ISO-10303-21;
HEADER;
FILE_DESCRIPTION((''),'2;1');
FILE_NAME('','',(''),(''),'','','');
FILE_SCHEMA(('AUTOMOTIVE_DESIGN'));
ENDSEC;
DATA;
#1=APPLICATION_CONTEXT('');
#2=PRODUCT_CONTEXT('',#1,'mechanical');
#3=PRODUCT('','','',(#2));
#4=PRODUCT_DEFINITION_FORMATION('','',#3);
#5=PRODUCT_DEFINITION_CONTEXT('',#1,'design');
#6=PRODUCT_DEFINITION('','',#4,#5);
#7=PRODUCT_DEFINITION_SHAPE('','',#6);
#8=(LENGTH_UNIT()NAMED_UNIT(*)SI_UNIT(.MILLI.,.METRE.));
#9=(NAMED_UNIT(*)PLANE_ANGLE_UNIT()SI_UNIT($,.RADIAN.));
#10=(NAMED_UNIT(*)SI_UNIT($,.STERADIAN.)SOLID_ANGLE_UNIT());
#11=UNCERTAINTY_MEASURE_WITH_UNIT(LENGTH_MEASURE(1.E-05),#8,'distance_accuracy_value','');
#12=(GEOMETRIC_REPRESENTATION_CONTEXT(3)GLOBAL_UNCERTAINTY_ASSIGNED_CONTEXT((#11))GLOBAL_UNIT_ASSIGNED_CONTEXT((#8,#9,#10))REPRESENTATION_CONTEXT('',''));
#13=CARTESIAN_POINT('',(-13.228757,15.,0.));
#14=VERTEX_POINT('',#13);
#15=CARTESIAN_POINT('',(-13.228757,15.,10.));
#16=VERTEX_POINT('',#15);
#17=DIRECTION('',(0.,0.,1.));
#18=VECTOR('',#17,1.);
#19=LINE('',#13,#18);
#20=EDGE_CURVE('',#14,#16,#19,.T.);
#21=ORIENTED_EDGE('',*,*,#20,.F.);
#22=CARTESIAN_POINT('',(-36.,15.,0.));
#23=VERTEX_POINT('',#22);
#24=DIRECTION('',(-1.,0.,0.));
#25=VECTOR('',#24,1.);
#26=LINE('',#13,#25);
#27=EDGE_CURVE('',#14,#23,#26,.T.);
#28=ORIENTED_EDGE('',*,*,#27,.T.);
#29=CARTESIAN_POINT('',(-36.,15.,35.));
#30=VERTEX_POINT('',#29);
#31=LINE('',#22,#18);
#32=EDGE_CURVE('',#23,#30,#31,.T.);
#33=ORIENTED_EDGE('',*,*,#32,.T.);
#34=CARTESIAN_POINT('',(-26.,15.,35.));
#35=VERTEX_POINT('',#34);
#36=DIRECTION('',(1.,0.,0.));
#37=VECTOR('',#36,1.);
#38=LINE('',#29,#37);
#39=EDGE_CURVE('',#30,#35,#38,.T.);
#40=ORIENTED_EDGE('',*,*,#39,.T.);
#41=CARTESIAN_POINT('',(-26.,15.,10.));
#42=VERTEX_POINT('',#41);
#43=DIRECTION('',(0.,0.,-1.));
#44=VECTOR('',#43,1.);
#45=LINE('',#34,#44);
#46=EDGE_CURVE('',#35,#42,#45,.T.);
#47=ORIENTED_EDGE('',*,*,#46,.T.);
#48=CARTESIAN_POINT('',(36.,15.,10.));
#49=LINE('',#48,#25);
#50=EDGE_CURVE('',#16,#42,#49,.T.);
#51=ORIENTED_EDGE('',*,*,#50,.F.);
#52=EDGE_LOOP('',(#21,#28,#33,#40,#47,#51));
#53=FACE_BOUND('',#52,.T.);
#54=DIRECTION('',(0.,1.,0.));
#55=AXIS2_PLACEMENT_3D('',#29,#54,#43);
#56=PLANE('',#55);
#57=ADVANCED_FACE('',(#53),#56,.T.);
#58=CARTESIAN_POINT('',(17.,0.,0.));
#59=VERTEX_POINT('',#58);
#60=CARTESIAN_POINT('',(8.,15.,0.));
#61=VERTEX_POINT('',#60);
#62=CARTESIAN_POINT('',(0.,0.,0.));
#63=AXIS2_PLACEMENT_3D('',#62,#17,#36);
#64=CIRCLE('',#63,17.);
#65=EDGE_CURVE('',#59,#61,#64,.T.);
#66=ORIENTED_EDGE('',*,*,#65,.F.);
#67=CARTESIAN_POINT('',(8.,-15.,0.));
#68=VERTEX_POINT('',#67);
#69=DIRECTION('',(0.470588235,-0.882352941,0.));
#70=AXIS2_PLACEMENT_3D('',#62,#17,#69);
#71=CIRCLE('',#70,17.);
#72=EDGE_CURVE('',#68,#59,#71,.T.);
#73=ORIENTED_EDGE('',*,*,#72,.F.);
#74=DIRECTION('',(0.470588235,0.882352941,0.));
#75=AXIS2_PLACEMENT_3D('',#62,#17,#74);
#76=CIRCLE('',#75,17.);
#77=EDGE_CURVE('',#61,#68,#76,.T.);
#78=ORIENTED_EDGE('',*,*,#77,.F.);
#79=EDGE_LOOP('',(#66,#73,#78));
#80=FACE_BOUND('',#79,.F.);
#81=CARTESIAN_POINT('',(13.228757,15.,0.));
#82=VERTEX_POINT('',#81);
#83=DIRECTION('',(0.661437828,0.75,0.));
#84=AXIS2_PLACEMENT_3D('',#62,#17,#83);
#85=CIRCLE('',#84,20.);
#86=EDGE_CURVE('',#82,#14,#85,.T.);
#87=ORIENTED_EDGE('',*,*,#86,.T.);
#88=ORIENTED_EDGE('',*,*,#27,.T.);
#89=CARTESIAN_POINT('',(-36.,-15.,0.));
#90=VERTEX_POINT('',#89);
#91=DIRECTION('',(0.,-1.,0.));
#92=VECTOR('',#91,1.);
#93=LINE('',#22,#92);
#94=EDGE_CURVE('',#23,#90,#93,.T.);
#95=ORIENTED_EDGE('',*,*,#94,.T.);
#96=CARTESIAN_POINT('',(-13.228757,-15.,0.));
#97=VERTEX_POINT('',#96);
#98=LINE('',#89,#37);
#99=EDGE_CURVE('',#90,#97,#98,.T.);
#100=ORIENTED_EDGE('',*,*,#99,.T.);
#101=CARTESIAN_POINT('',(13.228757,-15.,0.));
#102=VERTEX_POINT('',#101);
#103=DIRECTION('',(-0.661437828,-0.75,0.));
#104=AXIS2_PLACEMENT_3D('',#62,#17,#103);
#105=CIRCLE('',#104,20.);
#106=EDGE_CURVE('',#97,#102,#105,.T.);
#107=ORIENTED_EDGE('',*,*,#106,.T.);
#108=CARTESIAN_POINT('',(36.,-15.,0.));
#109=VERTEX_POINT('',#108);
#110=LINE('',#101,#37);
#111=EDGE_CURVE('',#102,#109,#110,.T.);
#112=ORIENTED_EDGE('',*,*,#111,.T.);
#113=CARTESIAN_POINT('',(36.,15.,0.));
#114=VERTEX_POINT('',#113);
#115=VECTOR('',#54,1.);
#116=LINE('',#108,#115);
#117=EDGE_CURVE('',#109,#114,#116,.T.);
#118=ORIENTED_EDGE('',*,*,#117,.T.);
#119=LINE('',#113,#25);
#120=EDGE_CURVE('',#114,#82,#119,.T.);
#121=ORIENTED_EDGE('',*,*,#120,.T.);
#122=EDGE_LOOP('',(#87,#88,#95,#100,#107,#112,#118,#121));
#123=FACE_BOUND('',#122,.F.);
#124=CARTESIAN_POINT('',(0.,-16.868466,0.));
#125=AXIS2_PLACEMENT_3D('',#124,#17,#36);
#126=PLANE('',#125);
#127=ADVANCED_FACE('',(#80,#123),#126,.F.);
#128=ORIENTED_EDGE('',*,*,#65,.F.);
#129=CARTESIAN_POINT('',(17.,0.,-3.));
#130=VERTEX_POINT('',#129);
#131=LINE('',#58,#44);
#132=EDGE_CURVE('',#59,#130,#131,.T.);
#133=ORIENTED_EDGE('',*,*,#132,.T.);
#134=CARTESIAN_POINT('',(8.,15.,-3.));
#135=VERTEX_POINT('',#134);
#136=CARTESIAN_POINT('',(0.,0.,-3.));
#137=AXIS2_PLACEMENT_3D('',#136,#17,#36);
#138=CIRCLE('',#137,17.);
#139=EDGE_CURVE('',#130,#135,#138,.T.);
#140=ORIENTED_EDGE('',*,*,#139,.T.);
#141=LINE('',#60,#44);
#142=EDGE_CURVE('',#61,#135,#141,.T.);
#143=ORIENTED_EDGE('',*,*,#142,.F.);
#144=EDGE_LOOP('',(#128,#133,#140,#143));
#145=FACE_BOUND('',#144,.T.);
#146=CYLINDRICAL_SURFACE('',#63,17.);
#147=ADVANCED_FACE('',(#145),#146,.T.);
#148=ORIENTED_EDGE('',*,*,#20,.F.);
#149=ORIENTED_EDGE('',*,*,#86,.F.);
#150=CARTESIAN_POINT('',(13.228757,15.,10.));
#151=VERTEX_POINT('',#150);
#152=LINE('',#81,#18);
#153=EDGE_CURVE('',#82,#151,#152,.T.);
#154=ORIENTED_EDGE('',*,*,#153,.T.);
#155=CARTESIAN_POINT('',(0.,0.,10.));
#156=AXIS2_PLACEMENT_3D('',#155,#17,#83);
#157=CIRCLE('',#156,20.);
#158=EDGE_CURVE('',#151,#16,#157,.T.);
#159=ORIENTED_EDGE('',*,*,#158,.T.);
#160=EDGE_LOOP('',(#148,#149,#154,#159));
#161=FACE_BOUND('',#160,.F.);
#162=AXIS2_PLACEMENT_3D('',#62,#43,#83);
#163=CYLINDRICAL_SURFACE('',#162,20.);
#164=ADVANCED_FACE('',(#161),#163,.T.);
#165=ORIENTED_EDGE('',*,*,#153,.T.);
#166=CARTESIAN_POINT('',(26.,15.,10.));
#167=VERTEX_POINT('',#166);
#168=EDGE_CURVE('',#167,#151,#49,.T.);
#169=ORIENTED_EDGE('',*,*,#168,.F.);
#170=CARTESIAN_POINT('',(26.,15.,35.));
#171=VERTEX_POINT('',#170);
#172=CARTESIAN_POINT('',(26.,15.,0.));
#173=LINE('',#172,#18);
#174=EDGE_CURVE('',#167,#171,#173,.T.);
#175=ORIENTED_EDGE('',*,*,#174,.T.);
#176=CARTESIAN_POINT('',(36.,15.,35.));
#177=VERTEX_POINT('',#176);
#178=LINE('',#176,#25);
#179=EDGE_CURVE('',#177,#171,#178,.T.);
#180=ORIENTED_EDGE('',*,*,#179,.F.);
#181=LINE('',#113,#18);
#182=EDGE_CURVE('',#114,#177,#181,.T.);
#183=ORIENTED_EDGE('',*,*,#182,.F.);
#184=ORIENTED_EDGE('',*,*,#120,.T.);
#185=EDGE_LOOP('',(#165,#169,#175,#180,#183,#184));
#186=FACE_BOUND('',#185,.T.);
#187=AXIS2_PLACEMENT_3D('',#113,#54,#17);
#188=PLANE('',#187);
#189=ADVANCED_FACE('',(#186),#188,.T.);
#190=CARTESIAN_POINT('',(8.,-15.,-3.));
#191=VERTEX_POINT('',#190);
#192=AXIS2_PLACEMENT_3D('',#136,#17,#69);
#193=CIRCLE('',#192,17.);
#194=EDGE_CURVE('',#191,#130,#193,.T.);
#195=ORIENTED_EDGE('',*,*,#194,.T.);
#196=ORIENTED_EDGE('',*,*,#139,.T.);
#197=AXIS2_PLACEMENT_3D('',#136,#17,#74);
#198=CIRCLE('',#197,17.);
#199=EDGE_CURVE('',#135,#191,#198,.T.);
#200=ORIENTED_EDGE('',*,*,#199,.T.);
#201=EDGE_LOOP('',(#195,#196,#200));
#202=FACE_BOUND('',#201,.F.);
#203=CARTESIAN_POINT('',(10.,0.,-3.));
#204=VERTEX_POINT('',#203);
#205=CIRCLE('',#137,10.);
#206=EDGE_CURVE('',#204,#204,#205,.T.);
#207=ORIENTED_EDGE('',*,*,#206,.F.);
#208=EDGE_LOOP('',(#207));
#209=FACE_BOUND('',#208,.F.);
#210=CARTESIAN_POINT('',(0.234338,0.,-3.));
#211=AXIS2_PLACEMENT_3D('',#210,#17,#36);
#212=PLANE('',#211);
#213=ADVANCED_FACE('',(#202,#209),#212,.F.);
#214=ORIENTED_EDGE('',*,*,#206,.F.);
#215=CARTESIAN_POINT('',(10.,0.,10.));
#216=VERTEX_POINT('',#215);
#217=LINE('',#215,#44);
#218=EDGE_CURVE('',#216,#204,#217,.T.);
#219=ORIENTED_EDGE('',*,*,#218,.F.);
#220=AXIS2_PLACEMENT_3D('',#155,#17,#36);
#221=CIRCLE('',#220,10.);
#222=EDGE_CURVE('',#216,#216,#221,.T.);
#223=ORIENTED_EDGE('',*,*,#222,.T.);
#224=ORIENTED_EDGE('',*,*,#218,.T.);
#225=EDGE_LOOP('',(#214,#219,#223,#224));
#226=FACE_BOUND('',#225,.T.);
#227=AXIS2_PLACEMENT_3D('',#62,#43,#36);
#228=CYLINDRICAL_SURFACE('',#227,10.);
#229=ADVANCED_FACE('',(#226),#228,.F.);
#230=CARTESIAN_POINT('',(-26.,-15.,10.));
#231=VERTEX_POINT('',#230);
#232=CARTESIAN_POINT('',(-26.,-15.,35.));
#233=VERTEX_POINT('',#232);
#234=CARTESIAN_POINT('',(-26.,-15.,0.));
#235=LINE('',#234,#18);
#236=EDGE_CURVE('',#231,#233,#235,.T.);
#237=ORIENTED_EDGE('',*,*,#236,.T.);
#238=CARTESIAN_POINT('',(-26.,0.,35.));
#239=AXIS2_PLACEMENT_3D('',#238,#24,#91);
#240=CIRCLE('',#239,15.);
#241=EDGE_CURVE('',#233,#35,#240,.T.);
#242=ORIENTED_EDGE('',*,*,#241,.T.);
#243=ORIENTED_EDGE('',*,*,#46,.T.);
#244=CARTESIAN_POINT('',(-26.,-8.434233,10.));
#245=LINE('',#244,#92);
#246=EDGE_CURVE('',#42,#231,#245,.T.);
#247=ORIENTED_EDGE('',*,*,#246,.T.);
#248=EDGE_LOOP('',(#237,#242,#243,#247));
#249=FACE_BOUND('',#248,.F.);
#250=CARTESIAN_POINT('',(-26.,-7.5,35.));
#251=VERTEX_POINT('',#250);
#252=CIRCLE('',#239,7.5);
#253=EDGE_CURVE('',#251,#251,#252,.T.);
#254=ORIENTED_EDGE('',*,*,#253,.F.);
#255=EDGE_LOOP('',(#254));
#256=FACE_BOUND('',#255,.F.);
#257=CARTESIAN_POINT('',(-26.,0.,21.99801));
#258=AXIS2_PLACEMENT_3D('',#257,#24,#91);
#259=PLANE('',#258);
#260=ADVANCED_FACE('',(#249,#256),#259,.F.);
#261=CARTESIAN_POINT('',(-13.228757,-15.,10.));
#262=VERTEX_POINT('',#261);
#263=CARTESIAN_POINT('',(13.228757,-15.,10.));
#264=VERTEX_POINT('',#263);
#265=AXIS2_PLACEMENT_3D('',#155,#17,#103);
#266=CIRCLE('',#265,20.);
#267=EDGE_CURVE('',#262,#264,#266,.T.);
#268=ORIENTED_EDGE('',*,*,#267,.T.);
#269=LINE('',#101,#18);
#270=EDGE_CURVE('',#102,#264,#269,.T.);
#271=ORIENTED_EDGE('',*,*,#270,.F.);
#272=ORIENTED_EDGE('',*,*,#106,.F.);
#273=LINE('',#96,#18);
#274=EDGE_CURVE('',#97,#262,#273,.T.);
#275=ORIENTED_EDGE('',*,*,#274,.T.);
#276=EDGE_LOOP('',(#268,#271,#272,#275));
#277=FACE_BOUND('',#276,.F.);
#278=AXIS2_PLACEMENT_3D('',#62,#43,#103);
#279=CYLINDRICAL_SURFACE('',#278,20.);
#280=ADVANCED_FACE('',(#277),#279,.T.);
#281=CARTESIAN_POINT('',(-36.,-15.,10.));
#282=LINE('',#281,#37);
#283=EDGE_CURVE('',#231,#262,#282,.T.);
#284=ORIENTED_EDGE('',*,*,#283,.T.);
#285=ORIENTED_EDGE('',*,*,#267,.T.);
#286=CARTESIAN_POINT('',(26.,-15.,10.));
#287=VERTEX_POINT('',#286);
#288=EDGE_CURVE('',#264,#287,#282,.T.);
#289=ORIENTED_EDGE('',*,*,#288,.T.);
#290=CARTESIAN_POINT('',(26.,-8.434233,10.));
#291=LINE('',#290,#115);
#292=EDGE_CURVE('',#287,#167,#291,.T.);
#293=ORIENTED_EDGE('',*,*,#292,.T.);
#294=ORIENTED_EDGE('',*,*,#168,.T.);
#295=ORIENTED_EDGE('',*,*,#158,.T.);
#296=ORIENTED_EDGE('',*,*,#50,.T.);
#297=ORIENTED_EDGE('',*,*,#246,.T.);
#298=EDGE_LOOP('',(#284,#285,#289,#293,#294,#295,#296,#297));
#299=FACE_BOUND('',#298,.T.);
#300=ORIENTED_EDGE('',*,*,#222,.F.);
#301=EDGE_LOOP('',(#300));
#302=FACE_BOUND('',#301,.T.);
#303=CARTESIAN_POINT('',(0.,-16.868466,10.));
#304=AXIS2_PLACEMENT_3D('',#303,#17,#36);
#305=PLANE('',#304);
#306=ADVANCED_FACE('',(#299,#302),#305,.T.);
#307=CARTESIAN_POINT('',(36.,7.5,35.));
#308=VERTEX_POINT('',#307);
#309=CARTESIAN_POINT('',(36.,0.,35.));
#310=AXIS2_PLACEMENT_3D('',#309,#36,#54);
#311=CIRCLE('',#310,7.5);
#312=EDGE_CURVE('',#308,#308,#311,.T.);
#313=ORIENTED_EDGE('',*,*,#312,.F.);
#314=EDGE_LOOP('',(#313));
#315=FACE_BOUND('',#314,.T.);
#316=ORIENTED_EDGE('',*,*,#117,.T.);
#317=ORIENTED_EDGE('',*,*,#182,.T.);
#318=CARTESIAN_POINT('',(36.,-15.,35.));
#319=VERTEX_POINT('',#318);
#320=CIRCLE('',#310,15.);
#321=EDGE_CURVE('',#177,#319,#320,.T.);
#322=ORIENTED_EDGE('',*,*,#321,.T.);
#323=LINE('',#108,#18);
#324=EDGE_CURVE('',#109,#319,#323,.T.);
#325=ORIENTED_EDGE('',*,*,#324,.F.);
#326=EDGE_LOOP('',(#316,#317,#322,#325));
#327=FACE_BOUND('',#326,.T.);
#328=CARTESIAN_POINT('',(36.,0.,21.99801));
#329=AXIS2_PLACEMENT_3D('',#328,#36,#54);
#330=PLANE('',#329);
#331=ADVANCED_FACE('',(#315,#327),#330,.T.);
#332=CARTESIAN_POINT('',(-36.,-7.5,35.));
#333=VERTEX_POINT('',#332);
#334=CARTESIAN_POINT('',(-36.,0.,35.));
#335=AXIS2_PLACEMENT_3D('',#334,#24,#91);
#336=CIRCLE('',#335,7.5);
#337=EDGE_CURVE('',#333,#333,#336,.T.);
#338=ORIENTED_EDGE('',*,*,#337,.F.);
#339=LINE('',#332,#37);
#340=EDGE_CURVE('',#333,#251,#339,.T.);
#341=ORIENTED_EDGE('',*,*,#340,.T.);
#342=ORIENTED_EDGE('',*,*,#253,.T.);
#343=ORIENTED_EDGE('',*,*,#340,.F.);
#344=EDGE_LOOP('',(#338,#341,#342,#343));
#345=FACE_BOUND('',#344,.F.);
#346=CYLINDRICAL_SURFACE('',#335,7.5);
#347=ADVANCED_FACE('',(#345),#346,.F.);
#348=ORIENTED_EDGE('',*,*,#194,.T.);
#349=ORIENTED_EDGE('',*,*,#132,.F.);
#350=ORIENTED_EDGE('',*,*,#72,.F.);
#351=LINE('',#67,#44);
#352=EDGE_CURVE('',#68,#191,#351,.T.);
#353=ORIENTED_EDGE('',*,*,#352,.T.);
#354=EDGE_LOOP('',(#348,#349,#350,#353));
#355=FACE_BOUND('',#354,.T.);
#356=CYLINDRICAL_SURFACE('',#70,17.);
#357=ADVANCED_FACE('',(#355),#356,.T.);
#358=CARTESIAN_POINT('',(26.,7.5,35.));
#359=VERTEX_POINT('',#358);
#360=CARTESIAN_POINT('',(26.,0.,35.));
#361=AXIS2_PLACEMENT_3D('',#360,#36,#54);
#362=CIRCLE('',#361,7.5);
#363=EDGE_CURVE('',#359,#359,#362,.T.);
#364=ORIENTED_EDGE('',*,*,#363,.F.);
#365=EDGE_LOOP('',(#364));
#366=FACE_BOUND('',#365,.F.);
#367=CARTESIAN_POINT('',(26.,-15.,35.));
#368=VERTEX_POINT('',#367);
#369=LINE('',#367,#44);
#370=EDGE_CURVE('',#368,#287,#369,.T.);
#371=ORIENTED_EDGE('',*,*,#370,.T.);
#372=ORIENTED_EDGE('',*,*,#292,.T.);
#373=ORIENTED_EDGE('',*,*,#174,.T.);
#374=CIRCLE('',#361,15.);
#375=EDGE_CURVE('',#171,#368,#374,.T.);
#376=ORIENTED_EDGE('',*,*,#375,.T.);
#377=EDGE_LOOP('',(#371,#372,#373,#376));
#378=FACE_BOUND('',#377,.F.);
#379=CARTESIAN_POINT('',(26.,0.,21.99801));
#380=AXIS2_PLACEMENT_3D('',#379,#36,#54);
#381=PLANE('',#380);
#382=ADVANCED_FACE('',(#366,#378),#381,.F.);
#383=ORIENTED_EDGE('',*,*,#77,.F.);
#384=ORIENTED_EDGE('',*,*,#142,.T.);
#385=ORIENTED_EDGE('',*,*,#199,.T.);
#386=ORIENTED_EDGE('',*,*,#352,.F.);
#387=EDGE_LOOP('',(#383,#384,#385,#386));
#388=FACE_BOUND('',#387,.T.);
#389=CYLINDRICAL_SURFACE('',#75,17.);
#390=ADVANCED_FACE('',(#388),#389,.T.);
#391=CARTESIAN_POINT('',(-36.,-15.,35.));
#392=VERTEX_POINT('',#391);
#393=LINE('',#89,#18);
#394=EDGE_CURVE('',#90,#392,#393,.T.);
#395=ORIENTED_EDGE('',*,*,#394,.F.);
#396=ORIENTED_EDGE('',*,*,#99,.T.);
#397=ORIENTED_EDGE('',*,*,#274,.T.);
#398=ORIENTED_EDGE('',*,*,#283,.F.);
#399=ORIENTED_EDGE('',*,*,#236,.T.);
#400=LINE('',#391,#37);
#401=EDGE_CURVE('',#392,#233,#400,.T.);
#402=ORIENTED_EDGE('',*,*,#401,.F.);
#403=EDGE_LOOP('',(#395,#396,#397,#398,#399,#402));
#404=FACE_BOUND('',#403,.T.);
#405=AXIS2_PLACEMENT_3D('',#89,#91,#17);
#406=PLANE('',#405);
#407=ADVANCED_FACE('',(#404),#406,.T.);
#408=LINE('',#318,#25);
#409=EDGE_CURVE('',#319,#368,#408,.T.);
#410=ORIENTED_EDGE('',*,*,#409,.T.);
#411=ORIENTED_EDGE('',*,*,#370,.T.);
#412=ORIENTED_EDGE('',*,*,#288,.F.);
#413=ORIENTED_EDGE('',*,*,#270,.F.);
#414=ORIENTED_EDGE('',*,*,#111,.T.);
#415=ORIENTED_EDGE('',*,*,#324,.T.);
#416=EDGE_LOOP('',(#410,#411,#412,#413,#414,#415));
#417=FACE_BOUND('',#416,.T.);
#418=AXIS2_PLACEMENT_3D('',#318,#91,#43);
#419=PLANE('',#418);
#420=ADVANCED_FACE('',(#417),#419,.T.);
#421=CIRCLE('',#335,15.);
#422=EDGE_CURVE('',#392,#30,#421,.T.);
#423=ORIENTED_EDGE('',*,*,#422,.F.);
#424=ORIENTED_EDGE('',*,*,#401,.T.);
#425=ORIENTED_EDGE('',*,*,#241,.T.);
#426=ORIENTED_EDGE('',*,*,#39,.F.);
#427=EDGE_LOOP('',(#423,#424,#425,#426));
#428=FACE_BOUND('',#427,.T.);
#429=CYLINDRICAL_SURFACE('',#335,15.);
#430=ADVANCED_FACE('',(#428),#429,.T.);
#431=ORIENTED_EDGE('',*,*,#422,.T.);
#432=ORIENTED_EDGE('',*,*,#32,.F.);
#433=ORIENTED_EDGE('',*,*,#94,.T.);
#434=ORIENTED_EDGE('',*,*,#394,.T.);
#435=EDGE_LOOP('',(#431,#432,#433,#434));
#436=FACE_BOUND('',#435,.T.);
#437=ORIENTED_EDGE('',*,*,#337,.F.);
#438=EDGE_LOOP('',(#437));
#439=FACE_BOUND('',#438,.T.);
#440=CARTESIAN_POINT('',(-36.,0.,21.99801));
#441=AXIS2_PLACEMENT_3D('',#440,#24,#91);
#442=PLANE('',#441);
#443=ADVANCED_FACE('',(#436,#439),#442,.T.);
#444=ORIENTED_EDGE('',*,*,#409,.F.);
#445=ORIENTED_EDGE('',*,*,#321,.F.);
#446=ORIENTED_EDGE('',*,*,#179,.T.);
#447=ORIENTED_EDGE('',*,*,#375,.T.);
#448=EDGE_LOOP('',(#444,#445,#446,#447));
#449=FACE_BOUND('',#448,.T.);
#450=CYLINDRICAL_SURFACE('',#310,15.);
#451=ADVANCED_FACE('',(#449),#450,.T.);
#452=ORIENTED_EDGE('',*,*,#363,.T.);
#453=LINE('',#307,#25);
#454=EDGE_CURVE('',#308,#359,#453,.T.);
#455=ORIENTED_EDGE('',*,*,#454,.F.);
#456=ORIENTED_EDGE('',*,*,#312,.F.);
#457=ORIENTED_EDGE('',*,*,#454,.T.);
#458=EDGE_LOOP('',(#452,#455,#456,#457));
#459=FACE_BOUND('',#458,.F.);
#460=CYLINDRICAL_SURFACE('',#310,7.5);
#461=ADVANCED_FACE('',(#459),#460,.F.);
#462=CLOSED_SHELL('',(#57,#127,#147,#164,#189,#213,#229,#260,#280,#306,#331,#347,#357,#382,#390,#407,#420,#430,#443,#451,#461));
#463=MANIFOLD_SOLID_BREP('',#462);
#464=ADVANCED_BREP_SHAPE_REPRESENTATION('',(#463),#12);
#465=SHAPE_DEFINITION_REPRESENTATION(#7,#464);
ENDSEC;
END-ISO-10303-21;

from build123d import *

# Parameters (mm, degrees)
F0_R        = 10
F1_DEPTH    = 10
F2_DEPTH    = 3
F2_FACE_R   = 17
F2_FACE_R_2 = 10
F4_DEPTH    = 10
F5_R        = 7.5
F6_DEPTH    = 10
F8_R        = 7.5
F9_DEPTH    = 10


with BuildPart() as f1:
    # F0 (on Top) → F1 (new body)
    with BuildSketch(Plane.XY):
        with BuildLine():
            Line((-36, -15), (-13.2287565553, -15))
            ThreePointArc((-13.2287565553, -15), (-20, 0), (-13.2287565553, 15))
            Line((-13.2287565553, 15), (-36, 15))
            Line((-36, 15), (-36, -15))
        make_face()
        with BuildLine():
            Line((-8, -15), (8, -15))
            ThreePointArc((8, -15), (14.5773797371, -8.7464278423), (17, 0))
            ThreePointArc((17, 0), (14.5773797371, 8.7464278423), (8, 15))
            Line((8, 15), (-8, 15))
            ThreePointArc((-8, 15), (-17, 0), (-8, -15))
        make_face()
        Circle(F0_R, mode=Mode.SUBTRACT)
        with BuildLine():
            Line((13.2287565553, -15), (36, -15))
            Line((36, -15), (36, 15))
            Line((36, 15), (13.2287565553, 15))
            ThreePointArc((13.2287565553, 15), (18.2287565553, 8.2287565553), (20, 0))
            ThreePointArc((20, 0), (18.2287565553, -8.2287565553), (13.2287565553, -15))
        make_face()
        with BuildLine():
            ThreePointArc((-13.2287565553, 15), (-20, 0), (-13.2287565553, -15))
            Line((-13.2287565553, -15), (-8, -15))
            ThreePointArc((-8, -15), (-17, 0), (-8, 15))
            Line((-8, 15), (-13.2287565553, 15))
        make_face()
        with BuildLine():
            Line((8, -15), (13.2287565553, -15))
            ThreePointArc((13.2287565553, -15), (18.2287565553, -8.2287565553), (20, 0))
            ThreePointArc((20, 0), (18.2287565553, 8.2287565553), (13.2287565553, 15))
            Line((13.2287565553, 15), (8, 15))
            ThreePointArc((8, 15), (14.5773797371, 8.7464278423), (17, 0))
            ThreePointArc((17, 0), (14.5773797371, -8.7464278423), (8, -15))
        make_face()
    extrude(amount=F1_DEPTH)

    # F0 (on Top) → F2 (join)
    with BuildSketch(Plane.XY):
        with BuildLine():
            Line((-8, -15), (8, -15))
            ThreePointArc((8, -15), (14.5773797371, -8.7464278423), (17, 0))
            ThreePointArc((17, 0), (14.5773797371, 8.7464278423), (8, 15))
            Line((8, 15), (-8, 15))
            ThreePointArc((-8, 15), (-17, 0), (-8, -15))
        make_face()
        Circle(F0_R, mode=Mode.SUBTRACT)
        with BuildLine():
            ThreePointArc((-8, -15), (0, -17), (8, -15))
            Line((8, -15), (-8, -15))
        make_face()
        with BuildLine():
            Line((-8, 15), (8, 15))
            ThreePointArc((8, 15), (0, 17), (-8, 15))
        make_face()
    extrude(amount=-F2_DEPTH)

    # F0 (on Top) + F2_face (on face) → F4 (join)
    with BuildSketch(Plane.XY):
        with BuildLine():
            ThreePointArc((-13.2287565553, -15), (0, -20), (13.2287565553, -15))
            Line((13.2287565553, -15), (8, -15))
            ThreePointArc((8, -15), (0, -17), (-8, -15))
            Line((-8, -15), (-13.2287565553, -15))
        make_face()
        with BuildLine():
            Line((8, -15), (13.2287565553, -15))
            ThreePointArc((13.2287565553, -15), (18.2287565553, -8.2287565553), (20, 0))
            ThreePointArc((20, 0), (18.2287565553, 8.2287565553), (13.2287565553, 15))
            Line((13.2287565553, 15), (8, 15))
            ThreePointArc((8, 15), (14.5773797371, 8.7464278423), (17, 0))
            ThreePointArc((17, 0), (14.5773797371, -8.7464278423), (8, -15))
        make_face()
        with BuildLine():
            Line((8, 15), (13.2287565553, 15))
            ThreePointArc((13.2287565553, 15), (0, 20), (-13.2287565553, 15))
            Line((-13.2287565553, 15), (-8, 15))
            ThreePointArc((-8, 15), (0, 17), (8, 15))
        make_face()
        with BuildLine():
            ThreePointArc((-13.2287565553, 15), (-20, 0), (-13.2287565553, -15))
            Line((-13.2287565553, -15), (-8, -15))
            ThreePointArc((-8, -15), (-17, 0), (-8, 15))
            Line((-8, 15), (-13.2287565553, 15))
        make_face()
        with BuildLine():
            ThreePointArc((-8, -15), (0, -17), (8, -15))
            Line((8, -15), (-8, -15))
        make_face()
        with BuildLine():
            Line((-8, 15), (8, 15))
            ThreePointArc((8, 15), (0, 17), (-8, 15))
        make_face()
    with BuildSketch(Plane(origin=(0, 0, -3), x_dir=(1, 0, 0), z_dir=(0, 0, -1))):
        Circle(F2_FACE_R)
        Circle(F2_FACE_R_2, mode=Mode.SUBTRACT)
    extrude(amount=F4_DEPTH, dir=(0, 0, 1))

    # F5 (on offset) → F6 (join)
    with BuildSketch(Plane.YZ.offset(36)):
        with BuildLine():
            Line((-15, 35), (-15, 0))
            Line((-15, 0), (15, 0))
            Line((15, 0), (15, 35))
            ThreePointArc((15, 35), (0, 50), (-15, 35))
        make_face()
        with Locations((0, 35)):
            Circle(F5_R, mode=Mode.SUBTRACT)
    extrude(amount=-F6_DEPTH)

    # F8 (on offset) → F9 (join)
    with BuildSketch(Plane(origin=(-36, 0, 0), x_dir=(0, -1, 0), z_dir=(-1, 0, 0))):
        with BuildLine():
            Line((-15, 35), (-15, 0))
            Line((-15, 0), (15, 0))
            Line((15, 0), (15, 35))
            ThreePointArc((15, 35), (0, 50), (-15, 35))
        make_face()
        with Locations((0, 35)):
            Circle(F8_R, mode=Mode.SUBTRACT)
    extrude(amount=-F9_DEPTH)


solid = f1.part
